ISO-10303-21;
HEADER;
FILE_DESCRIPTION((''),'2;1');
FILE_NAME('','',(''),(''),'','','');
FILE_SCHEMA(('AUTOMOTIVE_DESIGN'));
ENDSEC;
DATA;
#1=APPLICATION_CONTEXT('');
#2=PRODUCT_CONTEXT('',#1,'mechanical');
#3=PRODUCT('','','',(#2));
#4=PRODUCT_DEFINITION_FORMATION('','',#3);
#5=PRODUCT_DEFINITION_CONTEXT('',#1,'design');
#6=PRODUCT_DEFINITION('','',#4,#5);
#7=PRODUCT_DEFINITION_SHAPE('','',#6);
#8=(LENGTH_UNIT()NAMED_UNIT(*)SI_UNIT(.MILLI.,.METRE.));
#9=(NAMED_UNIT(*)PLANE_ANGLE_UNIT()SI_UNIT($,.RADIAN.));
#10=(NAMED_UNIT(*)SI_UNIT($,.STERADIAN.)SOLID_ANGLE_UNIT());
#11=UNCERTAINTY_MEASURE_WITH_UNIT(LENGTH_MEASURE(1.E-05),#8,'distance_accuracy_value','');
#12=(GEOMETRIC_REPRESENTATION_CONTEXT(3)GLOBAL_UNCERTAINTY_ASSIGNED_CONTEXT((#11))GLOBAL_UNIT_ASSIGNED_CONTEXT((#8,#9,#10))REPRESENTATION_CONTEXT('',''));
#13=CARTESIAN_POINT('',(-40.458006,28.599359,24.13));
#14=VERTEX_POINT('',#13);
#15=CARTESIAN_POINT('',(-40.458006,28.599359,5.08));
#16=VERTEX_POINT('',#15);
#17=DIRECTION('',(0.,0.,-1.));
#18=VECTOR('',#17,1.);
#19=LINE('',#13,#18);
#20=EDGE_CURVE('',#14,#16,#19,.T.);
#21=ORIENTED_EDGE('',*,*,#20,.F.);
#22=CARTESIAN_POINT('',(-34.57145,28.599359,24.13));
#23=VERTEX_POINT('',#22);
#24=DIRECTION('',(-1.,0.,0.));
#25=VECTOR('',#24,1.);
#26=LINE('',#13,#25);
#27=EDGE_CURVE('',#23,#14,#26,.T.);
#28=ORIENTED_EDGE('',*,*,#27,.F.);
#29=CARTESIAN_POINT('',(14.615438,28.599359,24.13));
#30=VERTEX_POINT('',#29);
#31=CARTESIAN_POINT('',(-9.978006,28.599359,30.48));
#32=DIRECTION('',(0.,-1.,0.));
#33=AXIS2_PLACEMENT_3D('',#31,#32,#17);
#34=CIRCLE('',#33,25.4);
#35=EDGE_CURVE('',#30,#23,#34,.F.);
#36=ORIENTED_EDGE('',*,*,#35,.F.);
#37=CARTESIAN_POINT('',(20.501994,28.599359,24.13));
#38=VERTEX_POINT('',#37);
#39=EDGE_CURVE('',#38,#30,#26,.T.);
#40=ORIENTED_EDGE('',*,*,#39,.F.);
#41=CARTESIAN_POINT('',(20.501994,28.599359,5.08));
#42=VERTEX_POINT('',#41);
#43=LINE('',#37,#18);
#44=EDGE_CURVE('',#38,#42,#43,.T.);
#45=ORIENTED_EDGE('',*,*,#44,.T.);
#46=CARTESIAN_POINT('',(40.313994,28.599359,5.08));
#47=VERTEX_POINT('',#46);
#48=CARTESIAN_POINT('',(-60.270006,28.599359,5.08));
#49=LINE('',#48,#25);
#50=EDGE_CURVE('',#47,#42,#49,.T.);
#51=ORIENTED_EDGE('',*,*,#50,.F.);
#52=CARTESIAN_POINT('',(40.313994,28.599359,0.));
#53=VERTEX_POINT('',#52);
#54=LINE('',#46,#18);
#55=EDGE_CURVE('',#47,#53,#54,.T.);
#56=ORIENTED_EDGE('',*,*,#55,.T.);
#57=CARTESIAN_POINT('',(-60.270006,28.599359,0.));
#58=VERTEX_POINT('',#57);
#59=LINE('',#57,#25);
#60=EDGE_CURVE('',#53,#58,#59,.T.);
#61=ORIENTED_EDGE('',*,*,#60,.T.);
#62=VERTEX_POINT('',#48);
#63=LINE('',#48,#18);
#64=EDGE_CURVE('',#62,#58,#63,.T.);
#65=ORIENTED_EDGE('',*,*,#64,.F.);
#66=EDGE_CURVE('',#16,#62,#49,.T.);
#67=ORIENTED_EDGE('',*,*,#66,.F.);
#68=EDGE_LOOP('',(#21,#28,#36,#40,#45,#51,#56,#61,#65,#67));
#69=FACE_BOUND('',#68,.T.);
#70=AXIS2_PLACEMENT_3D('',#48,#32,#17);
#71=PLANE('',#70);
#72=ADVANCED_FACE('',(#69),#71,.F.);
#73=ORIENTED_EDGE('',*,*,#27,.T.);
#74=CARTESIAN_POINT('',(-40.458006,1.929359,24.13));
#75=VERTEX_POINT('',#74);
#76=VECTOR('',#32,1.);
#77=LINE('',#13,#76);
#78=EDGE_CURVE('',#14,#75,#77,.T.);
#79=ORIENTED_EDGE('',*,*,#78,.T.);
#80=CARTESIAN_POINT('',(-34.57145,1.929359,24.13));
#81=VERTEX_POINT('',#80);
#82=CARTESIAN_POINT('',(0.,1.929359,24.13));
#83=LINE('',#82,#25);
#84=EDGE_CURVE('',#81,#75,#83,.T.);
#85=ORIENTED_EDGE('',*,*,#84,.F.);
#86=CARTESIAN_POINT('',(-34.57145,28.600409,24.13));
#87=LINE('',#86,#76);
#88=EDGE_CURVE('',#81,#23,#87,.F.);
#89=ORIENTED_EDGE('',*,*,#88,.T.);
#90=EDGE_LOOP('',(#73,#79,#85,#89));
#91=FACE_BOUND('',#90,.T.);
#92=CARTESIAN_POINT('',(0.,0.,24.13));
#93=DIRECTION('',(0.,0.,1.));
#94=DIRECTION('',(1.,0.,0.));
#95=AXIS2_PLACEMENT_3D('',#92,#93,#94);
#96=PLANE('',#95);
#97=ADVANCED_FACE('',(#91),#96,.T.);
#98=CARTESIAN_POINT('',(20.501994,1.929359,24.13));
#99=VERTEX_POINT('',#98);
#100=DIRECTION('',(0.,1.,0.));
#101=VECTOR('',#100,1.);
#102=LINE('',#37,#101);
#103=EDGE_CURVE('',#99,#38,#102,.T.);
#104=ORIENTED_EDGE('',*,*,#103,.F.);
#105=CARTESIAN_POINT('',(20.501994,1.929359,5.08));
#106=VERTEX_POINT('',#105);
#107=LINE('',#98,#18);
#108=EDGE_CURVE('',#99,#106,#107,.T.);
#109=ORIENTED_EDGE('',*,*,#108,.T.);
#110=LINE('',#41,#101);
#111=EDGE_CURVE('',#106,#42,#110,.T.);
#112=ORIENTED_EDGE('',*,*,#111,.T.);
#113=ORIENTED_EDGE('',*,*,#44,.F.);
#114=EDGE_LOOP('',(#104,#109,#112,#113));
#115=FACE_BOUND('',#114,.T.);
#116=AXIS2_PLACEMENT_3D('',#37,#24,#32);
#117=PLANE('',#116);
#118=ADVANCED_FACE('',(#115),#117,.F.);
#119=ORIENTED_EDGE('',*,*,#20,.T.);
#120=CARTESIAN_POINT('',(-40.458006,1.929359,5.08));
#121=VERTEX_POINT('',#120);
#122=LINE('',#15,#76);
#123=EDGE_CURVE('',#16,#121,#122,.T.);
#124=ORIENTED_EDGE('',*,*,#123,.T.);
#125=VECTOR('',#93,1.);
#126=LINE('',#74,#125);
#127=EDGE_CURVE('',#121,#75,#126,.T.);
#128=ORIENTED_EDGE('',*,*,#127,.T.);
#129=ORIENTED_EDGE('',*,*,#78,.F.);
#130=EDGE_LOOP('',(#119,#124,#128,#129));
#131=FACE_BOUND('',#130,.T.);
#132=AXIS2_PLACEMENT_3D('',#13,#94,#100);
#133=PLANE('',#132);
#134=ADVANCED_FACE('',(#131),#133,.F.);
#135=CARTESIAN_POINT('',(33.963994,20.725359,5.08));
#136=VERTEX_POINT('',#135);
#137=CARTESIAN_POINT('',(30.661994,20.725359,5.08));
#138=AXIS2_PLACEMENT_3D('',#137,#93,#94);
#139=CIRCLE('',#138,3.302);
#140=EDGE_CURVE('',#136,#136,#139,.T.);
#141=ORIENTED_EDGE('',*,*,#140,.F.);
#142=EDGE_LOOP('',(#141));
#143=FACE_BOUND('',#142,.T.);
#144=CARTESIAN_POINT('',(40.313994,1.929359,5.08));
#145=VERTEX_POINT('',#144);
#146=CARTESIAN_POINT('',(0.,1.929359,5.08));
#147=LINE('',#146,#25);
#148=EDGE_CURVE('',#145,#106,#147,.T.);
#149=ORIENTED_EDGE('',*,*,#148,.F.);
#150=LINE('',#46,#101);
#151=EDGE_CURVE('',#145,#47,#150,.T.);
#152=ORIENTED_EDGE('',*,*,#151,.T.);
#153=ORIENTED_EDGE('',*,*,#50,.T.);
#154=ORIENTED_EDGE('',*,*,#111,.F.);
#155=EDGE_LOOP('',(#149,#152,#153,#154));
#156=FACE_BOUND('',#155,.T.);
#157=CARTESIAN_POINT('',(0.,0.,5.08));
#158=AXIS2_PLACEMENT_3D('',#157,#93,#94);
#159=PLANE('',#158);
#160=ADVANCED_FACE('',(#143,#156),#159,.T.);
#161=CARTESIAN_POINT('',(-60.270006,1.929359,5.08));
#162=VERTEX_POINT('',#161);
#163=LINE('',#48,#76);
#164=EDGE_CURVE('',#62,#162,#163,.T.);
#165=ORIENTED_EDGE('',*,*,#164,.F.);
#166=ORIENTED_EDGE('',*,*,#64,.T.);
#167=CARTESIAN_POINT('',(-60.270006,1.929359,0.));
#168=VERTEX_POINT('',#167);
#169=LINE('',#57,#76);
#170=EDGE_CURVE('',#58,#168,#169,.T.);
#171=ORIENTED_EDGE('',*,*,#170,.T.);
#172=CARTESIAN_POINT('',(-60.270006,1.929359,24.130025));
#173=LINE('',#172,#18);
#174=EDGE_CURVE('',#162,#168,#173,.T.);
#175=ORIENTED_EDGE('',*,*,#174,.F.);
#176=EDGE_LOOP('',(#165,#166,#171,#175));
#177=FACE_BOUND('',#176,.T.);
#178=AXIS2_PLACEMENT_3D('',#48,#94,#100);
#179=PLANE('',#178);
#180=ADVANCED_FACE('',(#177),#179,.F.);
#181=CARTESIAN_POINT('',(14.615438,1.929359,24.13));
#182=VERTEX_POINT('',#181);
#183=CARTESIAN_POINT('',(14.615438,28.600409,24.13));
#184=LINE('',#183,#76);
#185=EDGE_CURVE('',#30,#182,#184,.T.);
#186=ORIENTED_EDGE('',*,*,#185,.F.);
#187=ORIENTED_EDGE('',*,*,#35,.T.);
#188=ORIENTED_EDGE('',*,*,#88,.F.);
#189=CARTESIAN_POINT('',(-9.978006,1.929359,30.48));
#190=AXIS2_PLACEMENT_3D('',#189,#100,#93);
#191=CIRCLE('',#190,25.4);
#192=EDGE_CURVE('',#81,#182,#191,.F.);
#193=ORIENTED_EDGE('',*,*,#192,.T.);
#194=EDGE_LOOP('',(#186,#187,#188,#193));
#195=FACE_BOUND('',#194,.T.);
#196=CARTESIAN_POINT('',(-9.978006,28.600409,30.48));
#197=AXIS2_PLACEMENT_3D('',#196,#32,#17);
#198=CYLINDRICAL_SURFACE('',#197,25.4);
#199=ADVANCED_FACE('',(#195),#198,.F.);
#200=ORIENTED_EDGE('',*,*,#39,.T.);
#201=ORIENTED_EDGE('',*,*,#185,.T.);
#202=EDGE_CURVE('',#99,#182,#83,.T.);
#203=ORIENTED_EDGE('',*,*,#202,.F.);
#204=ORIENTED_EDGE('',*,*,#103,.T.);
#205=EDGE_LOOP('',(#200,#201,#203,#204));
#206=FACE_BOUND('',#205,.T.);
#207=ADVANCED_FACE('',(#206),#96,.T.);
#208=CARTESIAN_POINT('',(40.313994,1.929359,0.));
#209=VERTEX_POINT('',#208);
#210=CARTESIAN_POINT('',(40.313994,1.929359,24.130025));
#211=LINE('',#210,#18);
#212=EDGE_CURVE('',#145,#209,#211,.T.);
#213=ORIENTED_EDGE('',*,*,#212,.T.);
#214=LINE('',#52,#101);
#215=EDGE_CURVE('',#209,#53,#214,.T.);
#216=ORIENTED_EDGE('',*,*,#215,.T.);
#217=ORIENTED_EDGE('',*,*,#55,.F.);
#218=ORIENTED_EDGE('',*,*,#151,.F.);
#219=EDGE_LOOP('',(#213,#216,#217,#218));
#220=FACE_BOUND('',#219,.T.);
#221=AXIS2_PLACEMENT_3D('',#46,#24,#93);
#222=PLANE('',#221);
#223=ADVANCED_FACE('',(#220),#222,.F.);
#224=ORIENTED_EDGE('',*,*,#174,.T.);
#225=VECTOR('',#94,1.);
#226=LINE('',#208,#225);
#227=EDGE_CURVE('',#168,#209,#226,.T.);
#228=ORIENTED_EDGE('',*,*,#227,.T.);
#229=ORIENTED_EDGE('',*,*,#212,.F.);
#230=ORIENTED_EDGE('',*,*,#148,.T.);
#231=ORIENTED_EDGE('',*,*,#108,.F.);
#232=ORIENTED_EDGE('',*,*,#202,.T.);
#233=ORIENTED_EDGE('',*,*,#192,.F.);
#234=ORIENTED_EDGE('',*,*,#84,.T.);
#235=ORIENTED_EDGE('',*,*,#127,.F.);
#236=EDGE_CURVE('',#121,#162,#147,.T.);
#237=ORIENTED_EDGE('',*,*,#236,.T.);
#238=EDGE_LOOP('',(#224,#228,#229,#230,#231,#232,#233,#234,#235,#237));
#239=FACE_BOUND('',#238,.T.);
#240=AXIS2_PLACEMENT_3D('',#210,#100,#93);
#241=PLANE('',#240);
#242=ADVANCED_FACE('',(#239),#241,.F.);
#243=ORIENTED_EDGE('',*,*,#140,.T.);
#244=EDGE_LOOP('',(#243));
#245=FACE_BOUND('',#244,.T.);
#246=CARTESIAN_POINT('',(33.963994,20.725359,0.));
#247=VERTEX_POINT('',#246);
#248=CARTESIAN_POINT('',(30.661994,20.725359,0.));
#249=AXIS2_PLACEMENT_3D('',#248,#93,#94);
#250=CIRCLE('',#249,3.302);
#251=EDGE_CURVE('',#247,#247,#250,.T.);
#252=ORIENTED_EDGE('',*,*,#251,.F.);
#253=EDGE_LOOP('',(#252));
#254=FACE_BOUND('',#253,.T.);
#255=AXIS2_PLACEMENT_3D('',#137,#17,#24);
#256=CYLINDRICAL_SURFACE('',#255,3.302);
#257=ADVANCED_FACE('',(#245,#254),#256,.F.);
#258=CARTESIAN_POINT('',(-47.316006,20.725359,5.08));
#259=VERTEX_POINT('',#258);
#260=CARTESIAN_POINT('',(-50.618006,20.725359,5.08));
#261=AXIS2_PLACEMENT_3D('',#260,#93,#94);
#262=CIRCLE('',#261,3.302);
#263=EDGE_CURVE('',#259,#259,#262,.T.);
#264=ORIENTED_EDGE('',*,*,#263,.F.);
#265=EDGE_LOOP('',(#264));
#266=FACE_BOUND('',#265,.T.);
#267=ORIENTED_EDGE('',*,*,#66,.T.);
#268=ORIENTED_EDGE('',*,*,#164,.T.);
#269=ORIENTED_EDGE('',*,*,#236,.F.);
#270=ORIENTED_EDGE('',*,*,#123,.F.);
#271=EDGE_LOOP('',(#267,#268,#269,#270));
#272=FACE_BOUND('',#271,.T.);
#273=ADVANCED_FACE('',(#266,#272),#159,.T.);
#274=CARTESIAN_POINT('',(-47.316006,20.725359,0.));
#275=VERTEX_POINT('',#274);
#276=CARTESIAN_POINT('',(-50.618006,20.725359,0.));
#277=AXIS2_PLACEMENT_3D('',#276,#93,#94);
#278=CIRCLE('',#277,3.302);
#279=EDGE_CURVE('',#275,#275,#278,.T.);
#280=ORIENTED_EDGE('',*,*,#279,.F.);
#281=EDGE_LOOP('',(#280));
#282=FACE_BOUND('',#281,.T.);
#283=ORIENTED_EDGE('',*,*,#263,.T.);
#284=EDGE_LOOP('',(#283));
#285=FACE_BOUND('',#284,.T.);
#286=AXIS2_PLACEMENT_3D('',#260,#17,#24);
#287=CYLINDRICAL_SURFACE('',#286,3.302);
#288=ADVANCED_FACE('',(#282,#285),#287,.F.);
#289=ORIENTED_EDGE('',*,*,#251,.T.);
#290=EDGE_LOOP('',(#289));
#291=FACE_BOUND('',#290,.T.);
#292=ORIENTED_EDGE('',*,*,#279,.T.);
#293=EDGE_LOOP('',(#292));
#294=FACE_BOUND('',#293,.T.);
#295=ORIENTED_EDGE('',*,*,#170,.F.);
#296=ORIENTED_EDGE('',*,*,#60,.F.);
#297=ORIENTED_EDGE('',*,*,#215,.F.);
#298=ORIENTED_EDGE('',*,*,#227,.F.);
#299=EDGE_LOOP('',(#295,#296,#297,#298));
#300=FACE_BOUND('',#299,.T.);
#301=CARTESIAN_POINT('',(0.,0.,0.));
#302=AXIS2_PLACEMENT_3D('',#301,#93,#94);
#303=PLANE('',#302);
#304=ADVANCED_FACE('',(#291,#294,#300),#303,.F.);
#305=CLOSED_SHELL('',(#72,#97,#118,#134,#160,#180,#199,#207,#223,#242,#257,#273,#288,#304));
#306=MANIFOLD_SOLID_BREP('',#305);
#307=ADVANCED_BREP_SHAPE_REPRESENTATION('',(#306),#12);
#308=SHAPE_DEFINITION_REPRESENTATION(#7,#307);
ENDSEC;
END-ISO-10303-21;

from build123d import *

# Parameters (mm, degrees)
SKETCH1_W           = 100.584
SKETCH1_H           = 53.34
SKETCH1_R           = 3.302
BOSS_EXTRUDE2_DEPTH = 5.08
SKETCH5_W           = 60.96
SKETCH5_H           = 53.34
BOSS_EXTRUDE3_DEPTH = 19.05
CUT_EXTRUDE4_REACH  = 55.34
SKETCH6_R           = 25.4
SKETCH7_W           = 100.584
SKETCH7_H           = 26.67
CUT_EXTRUDE5_DEPTH  = 25.13


with BuildPart() as part:
    # Sketch1 → Boss-Extrude2 (new body)
    with BuildSketch(Plane.XY):
        with Locations((-9.978006062, 1.929359203)):
            Rectangle(SKETCH1_W, SKETCH1_H)
        with Locations((30.661993938, 20.725359203)):
            Circle(SKETCH1_R, mode=Mode.SUBTRACT)
        with Locations((30.661993938, -16.866640797)):
            Circle(SKETCH1_R, mode=Mode.SUBTRACT)
        with Locations((-50.618006062, 20.725359203)):
            Circle(SKETCH1_R, mode=Mode.SUBTRACT)
        with Locations((-50.618006062, -16.866640797)):
            Circle(SKETCH1_R, mode=Mode.SUBTRACT)
    extrude(amount=BOSS_EXTRUDE2_DEPTH)

    # Sketch5 → Boss-Extrude3 (add)
    with BuildSketch(Plane.XY.offset(5.08)):
        with Locations((-9.978006062, 1.929359203)):
            Rectangle(SKETCH5_W, SKETCH5_H)
    extrude(amount=BOSS_EXTRUDE3_DEPTH)

    # Sketch6 → Cut-Extrude4 (cut, up to next)
    with BuildSketch(Plane.XZ.offset(24.740640797), mode=Mode.PRIVATE) as cut_extrude4_sk1:
        with Locations((-9.978006062, 30.48)):
            Circle(SKETCH6_R)
    cut_extrude4_tool1 = extrude(cut_extrude4_sk1.sketch, amount=-CUT_EXTRUDE4_REACH, mode=Mode.PRIVATE) & part.part
    add(cut_extrude4_tool1.solids().sort_by_distance((-9.978006, -24.740641, 30.48))[0], mode=Mode.SUBTRACT)

    # Sketch7 → Cut-Extrude5 (cut, through all)
    with BuildSketch(Plane(origin=(0, 0, 0), x_dir=(-1, 0, 0), z_dir=(0, 0, -1))):
        with Locations((9.978006062, -11.405640797)):
            Rectangle(SKETCH7_W, SKETCH7_H)
    extrude(amount=-CUT_EXTRUDE5_DEPTH, mode=Mode.SUBTRACT)


solid = part.part
